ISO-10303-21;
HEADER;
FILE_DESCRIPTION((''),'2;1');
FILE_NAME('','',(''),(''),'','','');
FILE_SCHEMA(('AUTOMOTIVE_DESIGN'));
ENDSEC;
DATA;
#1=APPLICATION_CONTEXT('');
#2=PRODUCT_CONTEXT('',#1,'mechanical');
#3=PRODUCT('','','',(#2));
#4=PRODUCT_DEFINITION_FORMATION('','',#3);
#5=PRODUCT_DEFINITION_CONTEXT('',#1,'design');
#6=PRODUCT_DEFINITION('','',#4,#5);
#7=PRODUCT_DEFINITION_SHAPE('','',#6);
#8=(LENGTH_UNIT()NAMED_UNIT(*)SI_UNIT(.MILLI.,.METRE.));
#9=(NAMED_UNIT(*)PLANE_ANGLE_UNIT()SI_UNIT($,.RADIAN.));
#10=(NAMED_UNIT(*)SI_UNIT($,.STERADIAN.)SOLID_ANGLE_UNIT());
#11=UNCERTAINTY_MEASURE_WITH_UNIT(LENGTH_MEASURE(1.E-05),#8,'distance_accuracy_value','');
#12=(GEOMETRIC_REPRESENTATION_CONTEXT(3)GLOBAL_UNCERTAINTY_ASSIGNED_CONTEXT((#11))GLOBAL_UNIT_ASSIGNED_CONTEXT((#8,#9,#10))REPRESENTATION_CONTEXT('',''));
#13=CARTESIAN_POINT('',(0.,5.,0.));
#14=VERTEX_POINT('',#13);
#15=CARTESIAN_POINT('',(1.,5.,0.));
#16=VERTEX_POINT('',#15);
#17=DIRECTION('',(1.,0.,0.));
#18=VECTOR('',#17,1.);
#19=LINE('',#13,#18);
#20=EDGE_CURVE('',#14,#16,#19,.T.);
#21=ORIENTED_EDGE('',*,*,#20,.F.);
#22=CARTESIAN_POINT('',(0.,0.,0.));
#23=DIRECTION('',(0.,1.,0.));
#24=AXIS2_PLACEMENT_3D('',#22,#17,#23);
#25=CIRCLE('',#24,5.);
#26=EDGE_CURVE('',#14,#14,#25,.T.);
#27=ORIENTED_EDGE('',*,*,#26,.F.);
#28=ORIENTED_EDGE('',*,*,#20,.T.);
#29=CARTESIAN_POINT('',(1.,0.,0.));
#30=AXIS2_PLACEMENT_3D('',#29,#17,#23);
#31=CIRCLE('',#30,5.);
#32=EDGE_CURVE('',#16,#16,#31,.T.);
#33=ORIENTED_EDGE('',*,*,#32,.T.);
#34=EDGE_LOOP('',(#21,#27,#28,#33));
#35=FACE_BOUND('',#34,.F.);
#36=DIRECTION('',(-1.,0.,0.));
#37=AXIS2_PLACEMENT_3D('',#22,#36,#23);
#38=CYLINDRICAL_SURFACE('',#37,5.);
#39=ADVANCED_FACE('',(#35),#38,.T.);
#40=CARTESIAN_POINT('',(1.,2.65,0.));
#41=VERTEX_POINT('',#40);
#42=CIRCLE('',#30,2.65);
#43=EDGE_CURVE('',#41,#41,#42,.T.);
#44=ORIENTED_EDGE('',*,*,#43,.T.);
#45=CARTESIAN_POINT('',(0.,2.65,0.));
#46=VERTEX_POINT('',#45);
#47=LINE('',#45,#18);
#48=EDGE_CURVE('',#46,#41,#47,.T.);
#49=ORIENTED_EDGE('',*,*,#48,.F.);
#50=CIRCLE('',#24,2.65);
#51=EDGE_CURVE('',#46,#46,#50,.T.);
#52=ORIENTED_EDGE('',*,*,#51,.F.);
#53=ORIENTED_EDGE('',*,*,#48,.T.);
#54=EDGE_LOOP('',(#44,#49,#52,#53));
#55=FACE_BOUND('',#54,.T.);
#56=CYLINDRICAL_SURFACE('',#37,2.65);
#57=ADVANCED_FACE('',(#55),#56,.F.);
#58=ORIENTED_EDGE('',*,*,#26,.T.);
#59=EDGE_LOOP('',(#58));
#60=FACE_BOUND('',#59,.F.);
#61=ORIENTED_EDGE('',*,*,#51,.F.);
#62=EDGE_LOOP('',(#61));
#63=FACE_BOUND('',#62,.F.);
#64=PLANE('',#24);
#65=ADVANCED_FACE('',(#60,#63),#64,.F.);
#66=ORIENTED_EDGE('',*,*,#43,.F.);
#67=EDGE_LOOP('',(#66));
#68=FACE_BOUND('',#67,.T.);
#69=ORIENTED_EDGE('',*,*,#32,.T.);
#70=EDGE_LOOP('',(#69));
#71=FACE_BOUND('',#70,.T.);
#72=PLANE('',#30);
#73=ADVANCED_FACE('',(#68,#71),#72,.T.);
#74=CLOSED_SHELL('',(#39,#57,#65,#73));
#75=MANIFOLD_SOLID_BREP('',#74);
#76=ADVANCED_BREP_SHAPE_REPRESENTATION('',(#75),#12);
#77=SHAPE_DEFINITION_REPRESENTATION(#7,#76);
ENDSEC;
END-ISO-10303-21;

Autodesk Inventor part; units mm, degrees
ref_plane "YZ Plane" through (0, 0, 0) normal (1, 0, 0) x (0, 1, 0)
ref_plane "XZ Plane" through (0, 0, 0) normal (0, 1, 0) x (-1, 0, 0)
sketch "Skizze" plane through (0, 0, 0) normal (1, 0, 0) x (0, 1, 0)
  circle A0 centre (0, 0) radius 5
  circle A1 centre (0, 0) radius 2.65
  dimension "d0" = 5.3
  dimension "d1" = 10
extrude "Körper" add sketch "Skizze" along normal blind 1
ref_plane "Work Plane1" through (0, 0, 0) normal (0, 0, 1) x (1, 0, 0)
equation "\"d0\" = SD1"
equation "\"d1\" = SD2"
equation "\"d2\" = SD"
equation "\"SD1\" = 5.3"
equation "\"SD2\" = 10"
equation "\"SD\" = 1"
equation "\"NND\" = 5"
properties part number "DIN 125 - A 5,3" material "Stahl, weich"
